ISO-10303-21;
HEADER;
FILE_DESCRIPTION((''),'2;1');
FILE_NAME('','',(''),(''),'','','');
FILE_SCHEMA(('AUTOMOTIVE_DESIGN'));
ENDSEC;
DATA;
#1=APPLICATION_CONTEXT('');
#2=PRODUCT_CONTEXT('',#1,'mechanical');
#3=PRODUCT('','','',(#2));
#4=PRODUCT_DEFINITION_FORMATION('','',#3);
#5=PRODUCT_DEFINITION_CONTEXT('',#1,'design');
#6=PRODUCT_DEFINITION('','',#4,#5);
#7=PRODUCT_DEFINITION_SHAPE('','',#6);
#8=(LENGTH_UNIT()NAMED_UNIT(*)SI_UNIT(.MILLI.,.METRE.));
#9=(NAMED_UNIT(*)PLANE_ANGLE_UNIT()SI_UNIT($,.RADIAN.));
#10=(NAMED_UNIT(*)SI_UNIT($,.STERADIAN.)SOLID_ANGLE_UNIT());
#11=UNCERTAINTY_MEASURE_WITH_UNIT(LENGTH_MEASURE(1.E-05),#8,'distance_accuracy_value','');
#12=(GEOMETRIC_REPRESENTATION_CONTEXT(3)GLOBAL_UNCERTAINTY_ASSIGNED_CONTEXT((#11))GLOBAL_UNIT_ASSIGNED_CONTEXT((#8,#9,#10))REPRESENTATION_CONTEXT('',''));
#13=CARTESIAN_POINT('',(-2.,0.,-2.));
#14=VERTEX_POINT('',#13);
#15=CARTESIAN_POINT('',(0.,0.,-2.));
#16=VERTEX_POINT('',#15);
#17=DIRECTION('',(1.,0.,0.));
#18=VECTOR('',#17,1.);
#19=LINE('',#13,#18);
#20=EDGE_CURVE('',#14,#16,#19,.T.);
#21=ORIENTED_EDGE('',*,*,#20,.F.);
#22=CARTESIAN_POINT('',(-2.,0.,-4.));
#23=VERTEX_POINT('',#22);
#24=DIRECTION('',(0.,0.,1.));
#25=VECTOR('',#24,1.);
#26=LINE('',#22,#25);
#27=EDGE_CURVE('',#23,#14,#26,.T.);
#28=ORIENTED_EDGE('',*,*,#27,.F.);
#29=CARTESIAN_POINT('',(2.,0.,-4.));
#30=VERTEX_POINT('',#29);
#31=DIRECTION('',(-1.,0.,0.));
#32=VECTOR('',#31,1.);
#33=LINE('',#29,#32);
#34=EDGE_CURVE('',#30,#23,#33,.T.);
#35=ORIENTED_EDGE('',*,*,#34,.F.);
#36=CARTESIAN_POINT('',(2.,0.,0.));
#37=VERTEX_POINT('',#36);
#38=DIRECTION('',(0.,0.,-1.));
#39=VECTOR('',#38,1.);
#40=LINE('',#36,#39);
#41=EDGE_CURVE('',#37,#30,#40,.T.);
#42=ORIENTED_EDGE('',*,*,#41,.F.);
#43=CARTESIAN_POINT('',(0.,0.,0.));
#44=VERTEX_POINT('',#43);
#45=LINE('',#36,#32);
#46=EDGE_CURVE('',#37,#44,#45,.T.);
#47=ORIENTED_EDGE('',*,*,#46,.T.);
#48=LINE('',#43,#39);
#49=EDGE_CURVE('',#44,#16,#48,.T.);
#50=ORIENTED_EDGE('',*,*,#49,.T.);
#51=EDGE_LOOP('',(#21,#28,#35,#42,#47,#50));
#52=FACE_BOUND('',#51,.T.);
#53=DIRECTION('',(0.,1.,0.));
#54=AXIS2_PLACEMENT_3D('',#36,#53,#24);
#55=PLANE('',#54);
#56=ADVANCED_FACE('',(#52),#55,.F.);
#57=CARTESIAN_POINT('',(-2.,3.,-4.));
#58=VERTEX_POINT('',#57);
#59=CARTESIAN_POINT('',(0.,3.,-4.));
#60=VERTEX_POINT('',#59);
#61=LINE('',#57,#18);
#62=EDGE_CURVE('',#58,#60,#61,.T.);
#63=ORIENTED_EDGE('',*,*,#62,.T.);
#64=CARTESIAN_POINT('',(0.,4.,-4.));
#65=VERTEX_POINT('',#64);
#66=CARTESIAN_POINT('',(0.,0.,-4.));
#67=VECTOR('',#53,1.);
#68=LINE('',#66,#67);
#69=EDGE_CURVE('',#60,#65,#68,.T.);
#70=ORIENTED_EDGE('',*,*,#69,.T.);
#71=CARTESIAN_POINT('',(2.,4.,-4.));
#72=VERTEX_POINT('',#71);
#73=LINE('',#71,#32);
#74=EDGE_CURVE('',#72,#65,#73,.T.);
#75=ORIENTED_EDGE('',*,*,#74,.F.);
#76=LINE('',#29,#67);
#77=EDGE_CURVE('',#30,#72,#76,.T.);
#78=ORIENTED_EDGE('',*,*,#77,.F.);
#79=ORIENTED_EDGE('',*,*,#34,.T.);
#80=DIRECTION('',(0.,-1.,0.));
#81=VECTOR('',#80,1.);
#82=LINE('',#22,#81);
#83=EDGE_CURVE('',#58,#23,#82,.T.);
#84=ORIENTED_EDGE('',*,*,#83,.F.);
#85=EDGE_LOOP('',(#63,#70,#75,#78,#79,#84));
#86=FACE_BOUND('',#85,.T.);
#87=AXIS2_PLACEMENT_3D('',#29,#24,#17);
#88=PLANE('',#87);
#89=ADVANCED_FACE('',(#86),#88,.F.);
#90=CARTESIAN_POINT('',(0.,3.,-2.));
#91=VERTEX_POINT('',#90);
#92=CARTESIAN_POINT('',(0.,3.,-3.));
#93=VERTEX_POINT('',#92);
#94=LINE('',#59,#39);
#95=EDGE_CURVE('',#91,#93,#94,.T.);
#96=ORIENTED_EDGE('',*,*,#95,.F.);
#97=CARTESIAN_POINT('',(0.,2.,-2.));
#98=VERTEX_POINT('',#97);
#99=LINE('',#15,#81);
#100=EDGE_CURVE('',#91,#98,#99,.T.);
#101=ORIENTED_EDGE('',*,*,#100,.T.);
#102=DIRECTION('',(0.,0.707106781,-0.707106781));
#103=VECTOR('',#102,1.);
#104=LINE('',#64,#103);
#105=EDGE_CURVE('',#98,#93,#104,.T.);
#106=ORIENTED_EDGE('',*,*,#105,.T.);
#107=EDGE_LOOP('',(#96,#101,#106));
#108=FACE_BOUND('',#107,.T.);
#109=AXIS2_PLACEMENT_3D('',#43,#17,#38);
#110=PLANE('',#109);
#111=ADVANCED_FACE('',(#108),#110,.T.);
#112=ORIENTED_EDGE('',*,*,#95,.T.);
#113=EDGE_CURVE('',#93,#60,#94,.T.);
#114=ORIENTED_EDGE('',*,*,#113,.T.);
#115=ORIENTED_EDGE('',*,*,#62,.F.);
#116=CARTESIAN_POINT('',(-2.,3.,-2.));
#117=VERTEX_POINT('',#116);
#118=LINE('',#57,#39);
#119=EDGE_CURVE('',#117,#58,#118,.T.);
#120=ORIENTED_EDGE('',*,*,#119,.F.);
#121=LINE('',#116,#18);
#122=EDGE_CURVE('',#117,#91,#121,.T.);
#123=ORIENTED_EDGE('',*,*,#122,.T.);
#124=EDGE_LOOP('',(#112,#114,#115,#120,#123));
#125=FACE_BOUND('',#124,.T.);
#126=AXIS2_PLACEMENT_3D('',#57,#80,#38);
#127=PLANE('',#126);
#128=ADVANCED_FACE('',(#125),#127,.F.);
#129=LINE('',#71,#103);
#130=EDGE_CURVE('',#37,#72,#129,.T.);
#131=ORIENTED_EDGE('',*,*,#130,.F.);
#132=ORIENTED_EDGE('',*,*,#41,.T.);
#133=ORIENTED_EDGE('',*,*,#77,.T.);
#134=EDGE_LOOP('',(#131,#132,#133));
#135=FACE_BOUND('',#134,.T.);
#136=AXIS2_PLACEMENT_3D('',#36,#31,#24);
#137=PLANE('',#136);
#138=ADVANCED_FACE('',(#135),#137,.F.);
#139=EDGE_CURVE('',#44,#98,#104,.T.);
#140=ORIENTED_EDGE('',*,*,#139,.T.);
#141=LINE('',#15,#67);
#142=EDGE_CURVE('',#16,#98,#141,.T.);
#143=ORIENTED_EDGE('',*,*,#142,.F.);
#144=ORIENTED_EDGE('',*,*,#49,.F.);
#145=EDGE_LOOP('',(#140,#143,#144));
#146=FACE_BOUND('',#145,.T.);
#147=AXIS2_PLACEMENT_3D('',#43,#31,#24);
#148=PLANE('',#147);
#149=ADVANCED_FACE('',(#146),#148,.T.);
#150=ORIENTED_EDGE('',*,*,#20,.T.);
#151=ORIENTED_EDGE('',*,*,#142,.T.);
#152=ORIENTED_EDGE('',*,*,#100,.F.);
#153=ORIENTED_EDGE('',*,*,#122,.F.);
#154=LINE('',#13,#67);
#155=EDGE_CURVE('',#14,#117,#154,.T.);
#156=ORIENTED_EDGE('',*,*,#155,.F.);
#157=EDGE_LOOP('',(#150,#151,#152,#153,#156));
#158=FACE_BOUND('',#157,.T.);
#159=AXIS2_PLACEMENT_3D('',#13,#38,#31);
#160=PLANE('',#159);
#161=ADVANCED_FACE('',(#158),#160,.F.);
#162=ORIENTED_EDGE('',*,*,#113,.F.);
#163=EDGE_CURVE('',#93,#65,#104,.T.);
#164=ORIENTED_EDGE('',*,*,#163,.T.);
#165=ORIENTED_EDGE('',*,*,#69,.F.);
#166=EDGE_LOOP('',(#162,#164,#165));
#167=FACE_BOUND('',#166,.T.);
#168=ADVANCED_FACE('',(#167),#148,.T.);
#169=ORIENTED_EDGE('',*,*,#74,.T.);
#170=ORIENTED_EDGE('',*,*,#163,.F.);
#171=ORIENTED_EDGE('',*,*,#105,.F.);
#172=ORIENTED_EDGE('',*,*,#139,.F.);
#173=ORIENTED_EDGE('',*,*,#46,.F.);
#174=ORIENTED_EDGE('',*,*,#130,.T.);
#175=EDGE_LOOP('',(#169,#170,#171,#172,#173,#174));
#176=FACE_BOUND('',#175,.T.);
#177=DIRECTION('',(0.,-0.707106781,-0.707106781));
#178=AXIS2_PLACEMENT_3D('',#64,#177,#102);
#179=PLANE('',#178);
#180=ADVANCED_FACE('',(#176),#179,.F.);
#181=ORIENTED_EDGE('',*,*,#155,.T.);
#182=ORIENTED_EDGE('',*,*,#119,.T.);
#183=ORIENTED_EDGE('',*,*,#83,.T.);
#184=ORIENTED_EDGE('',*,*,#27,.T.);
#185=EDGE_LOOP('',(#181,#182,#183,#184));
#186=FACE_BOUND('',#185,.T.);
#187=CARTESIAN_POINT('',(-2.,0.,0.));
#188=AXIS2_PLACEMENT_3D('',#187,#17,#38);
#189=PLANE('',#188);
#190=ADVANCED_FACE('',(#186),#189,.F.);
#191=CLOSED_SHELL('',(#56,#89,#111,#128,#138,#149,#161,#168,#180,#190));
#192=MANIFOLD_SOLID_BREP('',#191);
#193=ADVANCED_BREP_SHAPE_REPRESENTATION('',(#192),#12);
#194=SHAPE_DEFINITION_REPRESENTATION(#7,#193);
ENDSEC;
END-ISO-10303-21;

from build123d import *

# Parameters (mm, degrees)
SKETCH1_W           = 4
SKETCH1_H           = 4
BOSS_EXTRUDE1_DEPTH = 2
SKETCH2_W           = 2
SKETCH2_H           = 3
BOSS_EXTRUDE2_DEPTH = 2
CUT_EXTRUDE1_DEPTH  = 2


with BuildPart() as part:
    # Sketch1 → Boss-Extrude1 (new body)
    with BuildSketch(Plane(origin=(0, 0, 0), x_dir=(0, 0, -1), z_dir=(1, 0, 0))):
        with Locations((2, 2)):
            Rectangle(SKETCH1_W, SKETCH1_H)
    extrude(amount=BOSS_EXTRUDE1_DEPTH)

    # Sketch2 → Boss-Extrude2 (add)
    with BuildSketch(Plane.ZY):
        with Locations((-3, 1.5)):
            Rectangle(SKETCH2_W, SKETCH2_H)
    extrude(amount=BOSS_EXTRUDE2_DEPTH)

    # Sketch3 → Cut-Extrude1 (cut)
    with BuildSketch(Plane(origin=(2, 0, 0), x_dir=(0, 0, -1), z_dir=(1, 0, 0))):
        Polygon((4, 4), (0, 0), (0, 4), align=None)
    extrude(amount=-CUT_EXTRUDE1_DEPTH, mode=Mode.SUBTRACT)


solid = part.part
